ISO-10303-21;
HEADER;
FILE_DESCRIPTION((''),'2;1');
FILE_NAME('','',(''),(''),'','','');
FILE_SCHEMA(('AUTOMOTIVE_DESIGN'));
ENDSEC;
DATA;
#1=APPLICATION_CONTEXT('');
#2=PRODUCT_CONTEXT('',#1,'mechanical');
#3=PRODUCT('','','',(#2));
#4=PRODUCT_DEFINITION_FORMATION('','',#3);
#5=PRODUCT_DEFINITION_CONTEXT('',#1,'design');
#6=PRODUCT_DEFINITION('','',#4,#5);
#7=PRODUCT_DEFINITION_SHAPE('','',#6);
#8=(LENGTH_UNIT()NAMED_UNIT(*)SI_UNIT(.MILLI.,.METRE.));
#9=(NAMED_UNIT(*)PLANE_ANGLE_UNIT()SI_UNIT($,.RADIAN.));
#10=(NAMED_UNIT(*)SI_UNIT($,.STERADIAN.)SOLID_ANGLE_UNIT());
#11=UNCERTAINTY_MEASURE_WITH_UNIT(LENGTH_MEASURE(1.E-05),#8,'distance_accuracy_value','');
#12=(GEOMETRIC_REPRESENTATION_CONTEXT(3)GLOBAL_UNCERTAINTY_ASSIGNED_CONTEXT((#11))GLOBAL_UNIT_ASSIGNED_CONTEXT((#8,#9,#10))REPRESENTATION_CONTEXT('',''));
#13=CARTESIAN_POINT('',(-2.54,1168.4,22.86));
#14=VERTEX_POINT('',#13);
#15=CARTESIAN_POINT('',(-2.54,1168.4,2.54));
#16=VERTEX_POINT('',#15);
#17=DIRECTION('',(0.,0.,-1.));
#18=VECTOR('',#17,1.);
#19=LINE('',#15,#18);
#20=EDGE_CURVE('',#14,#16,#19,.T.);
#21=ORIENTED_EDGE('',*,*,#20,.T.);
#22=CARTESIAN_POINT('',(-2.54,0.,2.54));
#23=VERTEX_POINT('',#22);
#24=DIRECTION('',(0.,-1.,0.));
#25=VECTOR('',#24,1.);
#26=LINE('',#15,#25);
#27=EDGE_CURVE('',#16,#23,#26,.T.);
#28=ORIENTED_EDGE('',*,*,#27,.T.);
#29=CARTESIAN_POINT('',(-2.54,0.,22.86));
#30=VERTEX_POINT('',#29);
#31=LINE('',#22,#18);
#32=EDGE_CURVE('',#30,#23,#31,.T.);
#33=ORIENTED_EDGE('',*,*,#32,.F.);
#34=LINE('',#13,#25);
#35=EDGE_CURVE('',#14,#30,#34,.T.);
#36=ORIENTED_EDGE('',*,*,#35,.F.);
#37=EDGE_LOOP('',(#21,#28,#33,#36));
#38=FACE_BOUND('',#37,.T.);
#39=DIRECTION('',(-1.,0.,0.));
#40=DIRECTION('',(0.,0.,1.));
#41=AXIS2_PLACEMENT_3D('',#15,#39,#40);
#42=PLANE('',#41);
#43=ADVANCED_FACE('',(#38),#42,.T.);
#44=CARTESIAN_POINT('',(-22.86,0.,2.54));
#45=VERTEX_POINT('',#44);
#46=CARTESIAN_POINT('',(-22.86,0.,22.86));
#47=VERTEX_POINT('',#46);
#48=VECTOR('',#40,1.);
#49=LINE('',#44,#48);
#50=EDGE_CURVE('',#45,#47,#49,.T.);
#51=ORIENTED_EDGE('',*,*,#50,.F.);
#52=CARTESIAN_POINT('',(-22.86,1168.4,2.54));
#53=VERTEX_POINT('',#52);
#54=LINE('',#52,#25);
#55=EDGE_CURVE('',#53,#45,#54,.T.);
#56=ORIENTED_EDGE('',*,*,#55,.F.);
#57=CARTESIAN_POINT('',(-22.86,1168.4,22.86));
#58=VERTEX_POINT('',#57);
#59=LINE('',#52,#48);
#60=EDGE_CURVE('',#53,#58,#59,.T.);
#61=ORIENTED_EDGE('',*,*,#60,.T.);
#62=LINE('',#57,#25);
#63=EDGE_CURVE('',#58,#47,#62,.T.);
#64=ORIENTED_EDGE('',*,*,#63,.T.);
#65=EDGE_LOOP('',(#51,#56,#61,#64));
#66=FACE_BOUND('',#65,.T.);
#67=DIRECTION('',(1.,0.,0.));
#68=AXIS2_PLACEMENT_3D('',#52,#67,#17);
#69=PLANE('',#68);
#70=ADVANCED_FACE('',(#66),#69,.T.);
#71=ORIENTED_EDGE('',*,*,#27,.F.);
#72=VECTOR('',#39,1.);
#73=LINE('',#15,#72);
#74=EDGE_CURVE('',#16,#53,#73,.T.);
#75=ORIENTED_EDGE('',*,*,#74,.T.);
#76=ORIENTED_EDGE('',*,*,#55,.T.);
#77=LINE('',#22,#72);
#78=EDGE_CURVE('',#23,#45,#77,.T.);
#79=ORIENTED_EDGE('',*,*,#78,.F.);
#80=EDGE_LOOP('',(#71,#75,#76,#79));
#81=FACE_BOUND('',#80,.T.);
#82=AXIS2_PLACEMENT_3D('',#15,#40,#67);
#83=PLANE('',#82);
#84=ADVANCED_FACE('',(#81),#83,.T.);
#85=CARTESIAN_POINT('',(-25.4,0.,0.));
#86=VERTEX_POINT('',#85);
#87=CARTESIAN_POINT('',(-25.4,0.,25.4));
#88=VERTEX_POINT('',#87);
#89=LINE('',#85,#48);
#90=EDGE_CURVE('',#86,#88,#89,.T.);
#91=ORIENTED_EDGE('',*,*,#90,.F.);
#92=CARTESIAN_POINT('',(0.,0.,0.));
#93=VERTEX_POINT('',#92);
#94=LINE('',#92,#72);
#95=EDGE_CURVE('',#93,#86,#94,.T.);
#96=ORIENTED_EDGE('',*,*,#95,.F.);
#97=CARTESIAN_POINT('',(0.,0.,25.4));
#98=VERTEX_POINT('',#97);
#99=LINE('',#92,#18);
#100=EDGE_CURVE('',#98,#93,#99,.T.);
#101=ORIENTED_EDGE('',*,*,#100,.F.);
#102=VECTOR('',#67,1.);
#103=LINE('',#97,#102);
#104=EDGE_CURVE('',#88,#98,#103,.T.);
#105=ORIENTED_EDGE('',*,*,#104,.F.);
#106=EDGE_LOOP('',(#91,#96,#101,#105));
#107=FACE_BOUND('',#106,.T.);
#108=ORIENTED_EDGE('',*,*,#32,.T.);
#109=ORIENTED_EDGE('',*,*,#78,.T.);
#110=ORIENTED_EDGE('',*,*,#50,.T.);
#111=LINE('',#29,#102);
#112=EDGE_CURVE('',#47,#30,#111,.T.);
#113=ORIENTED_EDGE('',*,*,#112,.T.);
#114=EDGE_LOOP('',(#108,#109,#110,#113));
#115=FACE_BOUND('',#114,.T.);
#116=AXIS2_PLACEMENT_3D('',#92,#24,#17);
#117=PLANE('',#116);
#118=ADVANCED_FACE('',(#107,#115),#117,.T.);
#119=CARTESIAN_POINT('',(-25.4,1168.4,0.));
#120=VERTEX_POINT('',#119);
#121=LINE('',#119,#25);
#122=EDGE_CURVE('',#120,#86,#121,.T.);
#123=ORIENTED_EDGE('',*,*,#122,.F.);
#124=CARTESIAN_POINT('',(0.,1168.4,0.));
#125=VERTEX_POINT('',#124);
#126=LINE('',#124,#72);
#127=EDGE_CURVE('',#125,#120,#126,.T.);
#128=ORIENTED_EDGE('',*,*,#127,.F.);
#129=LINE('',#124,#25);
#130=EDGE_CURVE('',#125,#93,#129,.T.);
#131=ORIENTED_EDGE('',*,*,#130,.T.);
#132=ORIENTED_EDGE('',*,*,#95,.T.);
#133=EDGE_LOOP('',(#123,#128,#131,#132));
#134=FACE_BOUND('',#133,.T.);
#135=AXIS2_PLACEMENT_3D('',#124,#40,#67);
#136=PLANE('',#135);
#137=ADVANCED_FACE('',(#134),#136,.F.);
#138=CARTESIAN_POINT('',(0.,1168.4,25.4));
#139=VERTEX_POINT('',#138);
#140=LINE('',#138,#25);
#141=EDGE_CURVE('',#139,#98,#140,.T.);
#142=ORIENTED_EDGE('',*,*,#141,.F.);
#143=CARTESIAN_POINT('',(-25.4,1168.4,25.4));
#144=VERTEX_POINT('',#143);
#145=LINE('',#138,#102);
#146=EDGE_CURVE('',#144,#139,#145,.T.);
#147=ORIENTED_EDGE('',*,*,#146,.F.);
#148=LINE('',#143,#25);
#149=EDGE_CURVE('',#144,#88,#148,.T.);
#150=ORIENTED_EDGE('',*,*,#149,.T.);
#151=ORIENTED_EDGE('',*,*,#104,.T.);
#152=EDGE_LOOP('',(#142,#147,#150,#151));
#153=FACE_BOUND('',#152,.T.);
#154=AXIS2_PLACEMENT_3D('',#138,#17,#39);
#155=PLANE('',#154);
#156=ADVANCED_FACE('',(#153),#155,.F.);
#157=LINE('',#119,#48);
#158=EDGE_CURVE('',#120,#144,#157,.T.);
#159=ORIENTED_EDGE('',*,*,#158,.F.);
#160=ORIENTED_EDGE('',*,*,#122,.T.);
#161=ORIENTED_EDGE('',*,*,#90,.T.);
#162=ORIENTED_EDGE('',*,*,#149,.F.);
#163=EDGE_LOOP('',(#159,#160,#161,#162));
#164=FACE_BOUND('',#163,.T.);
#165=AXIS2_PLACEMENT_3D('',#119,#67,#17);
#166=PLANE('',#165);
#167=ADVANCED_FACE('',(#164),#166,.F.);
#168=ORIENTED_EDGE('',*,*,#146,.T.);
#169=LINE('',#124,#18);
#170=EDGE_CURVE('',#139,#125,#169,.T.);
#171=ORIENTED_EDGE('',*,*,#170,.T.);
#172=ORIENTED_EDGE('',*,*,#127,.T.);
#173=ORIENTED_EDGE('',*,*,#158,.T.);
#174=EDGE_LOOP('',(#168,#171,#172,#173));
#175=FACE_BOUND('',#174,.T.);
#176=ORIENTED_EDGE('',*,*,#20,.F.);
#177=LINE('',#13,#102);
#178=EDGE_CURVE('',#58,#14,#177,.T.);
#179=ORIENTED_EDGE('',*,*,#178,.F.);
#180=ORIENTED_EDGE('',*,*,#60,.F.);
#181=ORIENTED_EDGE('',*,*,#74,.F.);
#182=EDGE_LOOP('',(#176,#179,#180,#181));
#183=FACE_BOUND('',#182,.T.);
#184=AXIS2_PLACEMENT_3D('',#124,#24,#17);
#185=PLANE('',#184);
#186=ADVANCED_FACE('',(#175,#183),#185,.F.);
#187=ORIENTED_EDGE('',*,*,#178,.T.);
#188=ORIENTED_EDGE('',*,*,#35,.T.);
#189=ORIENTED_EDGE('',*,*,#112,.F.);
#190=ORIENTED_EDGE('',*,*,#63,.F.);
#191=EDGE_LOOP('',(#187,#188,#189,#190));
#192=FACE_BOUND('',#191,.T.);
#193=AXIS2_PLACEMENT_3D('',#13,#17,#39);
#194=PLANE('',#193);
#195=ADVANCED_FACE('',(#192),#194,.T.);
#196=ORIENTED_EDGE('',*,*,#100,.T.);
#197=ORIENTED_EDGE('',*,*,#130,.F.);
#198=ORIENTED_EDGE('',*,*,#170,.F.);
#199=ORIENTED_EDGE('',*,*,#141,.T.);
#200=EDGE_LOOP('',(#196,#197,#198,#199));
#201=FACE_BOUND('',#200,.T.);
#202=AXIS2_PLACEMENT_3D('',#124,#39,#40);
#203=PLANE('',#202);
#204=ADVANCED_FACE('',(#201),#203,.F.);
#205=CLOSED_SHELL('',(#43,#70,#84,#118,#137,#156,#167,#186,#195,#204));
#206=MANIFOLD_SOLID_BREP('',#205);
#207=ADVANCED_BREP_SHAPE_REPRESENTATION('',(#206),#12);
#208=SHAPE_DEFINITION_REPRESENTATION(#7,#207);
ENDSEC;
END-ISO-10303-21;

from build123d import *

# Parameters (mm, degrees)
SKETCH1_W                 = 25.4
SKETCH1_H                 = 25.4
SKETCH1_W_2               = 20.32
SKETCH1_H_2               = 20.32
EXTRUSION_1X1X0_1_1_DEPTH = 1168.4


with BuildPart() as part:
    # Sketch1 → Extrusion 1X1X0.1(1) (new body)
    with BuildSketch(Plane(origin=(0, 0, 0), x_dir=(-1, 0, 0), z_dir=(0, 1, 0))):
        with Locations((12.7, 12.7)):
            Rectangle(SKETCH1_W, SKETCH1_H)
        with Locations((12.7, 12.7)):
            Rectangle(SKETCH1_W_2, SKETCH1_H_2, mode=Mode.SUBTRACT)
    extrude(amount=EXTRUSION_1X1X0_1_1_DEPTH)


solid = part.part
